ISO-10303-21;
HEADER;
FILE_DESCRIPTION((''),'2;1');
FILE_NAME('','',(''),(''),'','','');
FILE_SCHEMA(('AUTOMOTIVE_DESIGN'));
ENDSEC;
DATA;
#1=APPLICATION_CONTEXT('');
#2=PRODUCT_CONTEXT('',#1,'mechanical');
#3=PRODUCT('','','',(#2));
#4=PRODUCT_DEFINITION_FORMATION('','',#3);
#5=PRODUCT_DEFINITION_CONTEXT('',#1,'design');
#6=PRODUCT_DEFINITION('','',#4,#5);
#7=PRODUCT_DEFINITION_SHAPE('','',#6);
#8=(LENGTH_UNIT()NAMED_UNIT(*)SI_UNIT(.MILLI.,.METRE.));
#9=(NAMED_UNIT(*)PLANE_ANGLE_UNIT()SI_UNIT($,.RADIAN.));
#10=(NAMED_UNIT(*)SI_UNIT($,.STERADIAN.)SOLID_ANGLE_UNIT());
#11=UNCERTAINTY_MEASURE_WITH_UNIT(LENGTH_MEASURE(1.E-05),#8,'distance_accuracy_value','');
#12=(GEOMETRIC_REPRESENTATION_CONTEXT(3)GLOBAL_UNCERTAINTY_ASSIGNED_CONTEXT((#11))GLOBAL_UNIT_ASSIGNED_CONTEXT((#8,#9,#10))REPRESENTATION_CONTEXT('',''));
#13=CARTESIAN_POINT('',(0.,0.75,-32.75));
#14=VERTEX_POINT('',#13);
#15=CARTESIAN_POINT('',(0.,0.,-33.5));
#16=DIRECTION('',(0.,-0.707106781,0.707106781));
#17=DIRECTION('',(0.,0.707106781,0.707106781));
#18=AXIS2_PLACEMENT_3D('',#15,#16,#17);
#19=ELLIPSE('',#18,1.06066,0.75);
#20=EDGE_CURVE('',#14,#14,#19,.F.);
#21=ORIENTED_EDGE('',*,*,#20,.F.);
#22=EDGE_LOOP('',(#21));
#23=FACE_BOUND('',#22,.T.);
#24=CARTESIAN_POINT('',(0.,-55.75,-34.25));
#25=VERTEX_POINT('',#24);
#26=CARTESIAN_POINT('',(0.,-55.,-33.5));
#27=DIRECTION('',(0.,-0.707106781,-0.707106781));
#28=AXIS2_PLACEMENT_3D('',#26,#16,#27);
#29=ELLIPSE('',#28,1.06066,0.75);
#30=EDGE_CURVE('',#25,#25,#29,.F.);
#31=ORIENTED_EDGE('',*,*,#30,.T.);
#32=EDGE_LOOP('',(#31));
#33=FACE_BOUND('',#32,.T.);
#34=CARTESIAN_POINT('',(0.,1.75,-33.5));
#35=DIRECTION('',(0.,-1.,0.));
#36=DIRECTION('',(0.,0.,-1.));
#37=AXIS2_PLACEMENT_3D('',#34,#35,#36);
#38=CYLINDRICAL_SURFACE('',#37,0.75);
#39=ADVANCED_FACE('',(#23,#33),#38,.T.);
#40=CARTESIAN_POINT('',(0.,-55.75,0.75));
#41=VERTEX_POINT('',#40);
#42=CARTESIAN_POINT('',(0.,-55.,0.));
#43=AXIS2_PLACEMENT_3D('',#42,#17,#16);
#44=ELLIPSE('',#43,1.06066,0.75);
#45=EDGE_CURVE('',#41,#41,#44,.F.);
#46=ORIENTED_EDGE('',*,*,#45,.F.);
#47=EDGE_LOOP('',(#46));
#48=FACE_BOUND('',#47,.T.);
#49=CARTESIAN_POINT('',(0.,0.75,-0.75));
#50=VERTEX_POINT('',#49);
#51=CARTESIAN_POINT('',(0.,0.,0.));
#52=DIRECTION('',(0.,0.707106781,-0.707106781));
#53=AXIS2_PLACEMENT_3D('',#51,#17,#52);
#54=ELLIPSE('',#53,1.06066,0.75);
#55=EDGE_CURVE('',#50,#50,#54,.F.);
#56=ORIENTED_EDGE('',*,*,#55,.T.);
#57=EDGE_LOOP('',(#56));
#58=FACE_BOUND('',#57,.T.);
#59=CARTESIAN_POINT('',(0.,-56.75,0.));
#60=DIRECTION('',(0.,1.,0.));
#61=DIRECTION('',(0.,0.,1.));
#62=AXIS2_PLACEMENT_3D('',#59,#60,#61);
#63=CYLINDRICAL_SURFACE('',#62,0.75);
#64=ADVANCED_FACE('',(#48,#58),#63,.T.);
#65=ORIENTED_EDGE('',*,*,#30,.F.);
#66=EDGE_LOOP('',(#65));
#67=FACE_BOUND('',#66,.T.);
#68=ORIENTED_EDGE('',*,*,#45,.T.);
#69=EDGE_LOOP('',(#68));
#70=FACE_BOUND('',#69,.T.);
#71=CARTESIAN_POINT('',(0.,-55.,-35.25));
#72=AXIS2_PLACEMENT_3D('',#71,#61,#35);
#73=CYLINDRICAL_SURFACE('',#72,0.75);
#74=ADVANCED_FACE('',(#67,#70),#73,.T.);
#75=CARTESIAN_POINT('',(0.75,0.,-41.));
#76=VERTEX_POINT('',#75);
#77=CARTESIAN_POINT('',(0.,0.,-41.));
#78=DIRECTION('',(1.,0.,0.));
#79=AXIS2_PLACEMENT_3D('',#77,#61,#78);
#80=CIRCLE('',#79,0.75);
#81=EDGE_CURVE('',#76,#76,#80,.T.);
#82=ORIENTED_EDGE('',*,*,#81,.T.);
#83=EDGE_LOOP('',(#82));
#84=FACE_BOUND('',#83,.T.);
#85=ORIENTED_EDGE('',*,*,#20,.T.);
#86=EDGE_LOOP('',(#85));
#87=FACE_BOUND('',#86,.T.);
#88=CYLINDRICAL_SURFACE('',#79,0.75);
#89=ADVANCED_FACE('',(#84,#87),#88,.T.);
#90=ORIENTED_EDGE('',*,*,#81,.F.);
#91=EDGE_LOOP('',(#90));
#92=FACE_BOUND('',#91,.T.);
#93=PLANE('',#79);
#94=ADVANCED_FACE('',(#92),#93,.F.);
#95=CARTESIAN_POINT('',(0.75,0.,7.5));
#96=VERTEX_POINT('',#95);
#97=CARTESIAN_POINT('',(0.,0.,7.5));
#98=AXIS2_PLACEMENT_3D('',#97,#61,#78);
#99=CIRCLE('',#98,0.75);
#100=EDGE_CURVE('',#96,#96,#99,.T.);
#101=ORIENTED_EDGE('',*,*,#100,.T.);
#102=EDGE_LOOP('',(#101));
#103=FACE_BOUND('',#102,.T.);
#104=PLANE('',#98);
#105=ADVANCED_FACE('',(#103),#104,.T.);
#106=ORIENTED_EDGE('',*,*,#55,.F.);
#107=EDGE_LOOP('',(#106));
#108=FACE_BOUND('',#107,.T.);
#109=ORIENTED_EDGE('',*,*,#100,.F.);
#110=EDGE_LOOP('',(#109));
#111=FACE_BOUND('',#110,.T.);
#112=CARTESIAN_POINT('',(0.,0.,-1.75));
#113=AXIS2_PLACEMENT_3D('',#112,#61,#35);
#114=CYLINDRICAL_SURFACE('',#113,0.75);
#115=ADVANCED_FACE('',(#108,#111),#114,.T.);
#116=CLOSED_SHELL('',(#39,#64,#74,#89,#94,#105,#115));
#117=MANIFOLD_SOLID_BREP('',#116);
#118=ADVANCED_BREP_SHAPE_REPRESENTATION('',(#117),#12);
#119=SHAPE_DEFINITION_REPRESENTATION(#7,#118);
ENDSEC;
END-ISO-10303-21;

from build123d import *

# Parameters (mm, degrees)
SKETCH2_R = 0.75


with BuildPart() as part:
    # Sweep1: sweep along a path in Sketch1
    with BuildLine(Plane(origin=(0, 0, 0), x_dir=(0, 0, -1), z_dir=(1, 0, 0))) as sweep1_path:
        Line((41, 0), (33.5, 0))
        Line((33.5, 0), (33.5, -55))
        Line((33.5, -55), (0, -55))
        Line((0, -55), (0, 0))
        Line((0, 0), (-7.5, 0))
    # Sketch2 → Sweep1 (sweep)
    with BuildSketch(Plane.XY.offset(7.5)):
        Circle(SKETCH2_R)
    sweep(path=sweep1_path.line, transition=Transition.RIGHT)


solid = part.part
